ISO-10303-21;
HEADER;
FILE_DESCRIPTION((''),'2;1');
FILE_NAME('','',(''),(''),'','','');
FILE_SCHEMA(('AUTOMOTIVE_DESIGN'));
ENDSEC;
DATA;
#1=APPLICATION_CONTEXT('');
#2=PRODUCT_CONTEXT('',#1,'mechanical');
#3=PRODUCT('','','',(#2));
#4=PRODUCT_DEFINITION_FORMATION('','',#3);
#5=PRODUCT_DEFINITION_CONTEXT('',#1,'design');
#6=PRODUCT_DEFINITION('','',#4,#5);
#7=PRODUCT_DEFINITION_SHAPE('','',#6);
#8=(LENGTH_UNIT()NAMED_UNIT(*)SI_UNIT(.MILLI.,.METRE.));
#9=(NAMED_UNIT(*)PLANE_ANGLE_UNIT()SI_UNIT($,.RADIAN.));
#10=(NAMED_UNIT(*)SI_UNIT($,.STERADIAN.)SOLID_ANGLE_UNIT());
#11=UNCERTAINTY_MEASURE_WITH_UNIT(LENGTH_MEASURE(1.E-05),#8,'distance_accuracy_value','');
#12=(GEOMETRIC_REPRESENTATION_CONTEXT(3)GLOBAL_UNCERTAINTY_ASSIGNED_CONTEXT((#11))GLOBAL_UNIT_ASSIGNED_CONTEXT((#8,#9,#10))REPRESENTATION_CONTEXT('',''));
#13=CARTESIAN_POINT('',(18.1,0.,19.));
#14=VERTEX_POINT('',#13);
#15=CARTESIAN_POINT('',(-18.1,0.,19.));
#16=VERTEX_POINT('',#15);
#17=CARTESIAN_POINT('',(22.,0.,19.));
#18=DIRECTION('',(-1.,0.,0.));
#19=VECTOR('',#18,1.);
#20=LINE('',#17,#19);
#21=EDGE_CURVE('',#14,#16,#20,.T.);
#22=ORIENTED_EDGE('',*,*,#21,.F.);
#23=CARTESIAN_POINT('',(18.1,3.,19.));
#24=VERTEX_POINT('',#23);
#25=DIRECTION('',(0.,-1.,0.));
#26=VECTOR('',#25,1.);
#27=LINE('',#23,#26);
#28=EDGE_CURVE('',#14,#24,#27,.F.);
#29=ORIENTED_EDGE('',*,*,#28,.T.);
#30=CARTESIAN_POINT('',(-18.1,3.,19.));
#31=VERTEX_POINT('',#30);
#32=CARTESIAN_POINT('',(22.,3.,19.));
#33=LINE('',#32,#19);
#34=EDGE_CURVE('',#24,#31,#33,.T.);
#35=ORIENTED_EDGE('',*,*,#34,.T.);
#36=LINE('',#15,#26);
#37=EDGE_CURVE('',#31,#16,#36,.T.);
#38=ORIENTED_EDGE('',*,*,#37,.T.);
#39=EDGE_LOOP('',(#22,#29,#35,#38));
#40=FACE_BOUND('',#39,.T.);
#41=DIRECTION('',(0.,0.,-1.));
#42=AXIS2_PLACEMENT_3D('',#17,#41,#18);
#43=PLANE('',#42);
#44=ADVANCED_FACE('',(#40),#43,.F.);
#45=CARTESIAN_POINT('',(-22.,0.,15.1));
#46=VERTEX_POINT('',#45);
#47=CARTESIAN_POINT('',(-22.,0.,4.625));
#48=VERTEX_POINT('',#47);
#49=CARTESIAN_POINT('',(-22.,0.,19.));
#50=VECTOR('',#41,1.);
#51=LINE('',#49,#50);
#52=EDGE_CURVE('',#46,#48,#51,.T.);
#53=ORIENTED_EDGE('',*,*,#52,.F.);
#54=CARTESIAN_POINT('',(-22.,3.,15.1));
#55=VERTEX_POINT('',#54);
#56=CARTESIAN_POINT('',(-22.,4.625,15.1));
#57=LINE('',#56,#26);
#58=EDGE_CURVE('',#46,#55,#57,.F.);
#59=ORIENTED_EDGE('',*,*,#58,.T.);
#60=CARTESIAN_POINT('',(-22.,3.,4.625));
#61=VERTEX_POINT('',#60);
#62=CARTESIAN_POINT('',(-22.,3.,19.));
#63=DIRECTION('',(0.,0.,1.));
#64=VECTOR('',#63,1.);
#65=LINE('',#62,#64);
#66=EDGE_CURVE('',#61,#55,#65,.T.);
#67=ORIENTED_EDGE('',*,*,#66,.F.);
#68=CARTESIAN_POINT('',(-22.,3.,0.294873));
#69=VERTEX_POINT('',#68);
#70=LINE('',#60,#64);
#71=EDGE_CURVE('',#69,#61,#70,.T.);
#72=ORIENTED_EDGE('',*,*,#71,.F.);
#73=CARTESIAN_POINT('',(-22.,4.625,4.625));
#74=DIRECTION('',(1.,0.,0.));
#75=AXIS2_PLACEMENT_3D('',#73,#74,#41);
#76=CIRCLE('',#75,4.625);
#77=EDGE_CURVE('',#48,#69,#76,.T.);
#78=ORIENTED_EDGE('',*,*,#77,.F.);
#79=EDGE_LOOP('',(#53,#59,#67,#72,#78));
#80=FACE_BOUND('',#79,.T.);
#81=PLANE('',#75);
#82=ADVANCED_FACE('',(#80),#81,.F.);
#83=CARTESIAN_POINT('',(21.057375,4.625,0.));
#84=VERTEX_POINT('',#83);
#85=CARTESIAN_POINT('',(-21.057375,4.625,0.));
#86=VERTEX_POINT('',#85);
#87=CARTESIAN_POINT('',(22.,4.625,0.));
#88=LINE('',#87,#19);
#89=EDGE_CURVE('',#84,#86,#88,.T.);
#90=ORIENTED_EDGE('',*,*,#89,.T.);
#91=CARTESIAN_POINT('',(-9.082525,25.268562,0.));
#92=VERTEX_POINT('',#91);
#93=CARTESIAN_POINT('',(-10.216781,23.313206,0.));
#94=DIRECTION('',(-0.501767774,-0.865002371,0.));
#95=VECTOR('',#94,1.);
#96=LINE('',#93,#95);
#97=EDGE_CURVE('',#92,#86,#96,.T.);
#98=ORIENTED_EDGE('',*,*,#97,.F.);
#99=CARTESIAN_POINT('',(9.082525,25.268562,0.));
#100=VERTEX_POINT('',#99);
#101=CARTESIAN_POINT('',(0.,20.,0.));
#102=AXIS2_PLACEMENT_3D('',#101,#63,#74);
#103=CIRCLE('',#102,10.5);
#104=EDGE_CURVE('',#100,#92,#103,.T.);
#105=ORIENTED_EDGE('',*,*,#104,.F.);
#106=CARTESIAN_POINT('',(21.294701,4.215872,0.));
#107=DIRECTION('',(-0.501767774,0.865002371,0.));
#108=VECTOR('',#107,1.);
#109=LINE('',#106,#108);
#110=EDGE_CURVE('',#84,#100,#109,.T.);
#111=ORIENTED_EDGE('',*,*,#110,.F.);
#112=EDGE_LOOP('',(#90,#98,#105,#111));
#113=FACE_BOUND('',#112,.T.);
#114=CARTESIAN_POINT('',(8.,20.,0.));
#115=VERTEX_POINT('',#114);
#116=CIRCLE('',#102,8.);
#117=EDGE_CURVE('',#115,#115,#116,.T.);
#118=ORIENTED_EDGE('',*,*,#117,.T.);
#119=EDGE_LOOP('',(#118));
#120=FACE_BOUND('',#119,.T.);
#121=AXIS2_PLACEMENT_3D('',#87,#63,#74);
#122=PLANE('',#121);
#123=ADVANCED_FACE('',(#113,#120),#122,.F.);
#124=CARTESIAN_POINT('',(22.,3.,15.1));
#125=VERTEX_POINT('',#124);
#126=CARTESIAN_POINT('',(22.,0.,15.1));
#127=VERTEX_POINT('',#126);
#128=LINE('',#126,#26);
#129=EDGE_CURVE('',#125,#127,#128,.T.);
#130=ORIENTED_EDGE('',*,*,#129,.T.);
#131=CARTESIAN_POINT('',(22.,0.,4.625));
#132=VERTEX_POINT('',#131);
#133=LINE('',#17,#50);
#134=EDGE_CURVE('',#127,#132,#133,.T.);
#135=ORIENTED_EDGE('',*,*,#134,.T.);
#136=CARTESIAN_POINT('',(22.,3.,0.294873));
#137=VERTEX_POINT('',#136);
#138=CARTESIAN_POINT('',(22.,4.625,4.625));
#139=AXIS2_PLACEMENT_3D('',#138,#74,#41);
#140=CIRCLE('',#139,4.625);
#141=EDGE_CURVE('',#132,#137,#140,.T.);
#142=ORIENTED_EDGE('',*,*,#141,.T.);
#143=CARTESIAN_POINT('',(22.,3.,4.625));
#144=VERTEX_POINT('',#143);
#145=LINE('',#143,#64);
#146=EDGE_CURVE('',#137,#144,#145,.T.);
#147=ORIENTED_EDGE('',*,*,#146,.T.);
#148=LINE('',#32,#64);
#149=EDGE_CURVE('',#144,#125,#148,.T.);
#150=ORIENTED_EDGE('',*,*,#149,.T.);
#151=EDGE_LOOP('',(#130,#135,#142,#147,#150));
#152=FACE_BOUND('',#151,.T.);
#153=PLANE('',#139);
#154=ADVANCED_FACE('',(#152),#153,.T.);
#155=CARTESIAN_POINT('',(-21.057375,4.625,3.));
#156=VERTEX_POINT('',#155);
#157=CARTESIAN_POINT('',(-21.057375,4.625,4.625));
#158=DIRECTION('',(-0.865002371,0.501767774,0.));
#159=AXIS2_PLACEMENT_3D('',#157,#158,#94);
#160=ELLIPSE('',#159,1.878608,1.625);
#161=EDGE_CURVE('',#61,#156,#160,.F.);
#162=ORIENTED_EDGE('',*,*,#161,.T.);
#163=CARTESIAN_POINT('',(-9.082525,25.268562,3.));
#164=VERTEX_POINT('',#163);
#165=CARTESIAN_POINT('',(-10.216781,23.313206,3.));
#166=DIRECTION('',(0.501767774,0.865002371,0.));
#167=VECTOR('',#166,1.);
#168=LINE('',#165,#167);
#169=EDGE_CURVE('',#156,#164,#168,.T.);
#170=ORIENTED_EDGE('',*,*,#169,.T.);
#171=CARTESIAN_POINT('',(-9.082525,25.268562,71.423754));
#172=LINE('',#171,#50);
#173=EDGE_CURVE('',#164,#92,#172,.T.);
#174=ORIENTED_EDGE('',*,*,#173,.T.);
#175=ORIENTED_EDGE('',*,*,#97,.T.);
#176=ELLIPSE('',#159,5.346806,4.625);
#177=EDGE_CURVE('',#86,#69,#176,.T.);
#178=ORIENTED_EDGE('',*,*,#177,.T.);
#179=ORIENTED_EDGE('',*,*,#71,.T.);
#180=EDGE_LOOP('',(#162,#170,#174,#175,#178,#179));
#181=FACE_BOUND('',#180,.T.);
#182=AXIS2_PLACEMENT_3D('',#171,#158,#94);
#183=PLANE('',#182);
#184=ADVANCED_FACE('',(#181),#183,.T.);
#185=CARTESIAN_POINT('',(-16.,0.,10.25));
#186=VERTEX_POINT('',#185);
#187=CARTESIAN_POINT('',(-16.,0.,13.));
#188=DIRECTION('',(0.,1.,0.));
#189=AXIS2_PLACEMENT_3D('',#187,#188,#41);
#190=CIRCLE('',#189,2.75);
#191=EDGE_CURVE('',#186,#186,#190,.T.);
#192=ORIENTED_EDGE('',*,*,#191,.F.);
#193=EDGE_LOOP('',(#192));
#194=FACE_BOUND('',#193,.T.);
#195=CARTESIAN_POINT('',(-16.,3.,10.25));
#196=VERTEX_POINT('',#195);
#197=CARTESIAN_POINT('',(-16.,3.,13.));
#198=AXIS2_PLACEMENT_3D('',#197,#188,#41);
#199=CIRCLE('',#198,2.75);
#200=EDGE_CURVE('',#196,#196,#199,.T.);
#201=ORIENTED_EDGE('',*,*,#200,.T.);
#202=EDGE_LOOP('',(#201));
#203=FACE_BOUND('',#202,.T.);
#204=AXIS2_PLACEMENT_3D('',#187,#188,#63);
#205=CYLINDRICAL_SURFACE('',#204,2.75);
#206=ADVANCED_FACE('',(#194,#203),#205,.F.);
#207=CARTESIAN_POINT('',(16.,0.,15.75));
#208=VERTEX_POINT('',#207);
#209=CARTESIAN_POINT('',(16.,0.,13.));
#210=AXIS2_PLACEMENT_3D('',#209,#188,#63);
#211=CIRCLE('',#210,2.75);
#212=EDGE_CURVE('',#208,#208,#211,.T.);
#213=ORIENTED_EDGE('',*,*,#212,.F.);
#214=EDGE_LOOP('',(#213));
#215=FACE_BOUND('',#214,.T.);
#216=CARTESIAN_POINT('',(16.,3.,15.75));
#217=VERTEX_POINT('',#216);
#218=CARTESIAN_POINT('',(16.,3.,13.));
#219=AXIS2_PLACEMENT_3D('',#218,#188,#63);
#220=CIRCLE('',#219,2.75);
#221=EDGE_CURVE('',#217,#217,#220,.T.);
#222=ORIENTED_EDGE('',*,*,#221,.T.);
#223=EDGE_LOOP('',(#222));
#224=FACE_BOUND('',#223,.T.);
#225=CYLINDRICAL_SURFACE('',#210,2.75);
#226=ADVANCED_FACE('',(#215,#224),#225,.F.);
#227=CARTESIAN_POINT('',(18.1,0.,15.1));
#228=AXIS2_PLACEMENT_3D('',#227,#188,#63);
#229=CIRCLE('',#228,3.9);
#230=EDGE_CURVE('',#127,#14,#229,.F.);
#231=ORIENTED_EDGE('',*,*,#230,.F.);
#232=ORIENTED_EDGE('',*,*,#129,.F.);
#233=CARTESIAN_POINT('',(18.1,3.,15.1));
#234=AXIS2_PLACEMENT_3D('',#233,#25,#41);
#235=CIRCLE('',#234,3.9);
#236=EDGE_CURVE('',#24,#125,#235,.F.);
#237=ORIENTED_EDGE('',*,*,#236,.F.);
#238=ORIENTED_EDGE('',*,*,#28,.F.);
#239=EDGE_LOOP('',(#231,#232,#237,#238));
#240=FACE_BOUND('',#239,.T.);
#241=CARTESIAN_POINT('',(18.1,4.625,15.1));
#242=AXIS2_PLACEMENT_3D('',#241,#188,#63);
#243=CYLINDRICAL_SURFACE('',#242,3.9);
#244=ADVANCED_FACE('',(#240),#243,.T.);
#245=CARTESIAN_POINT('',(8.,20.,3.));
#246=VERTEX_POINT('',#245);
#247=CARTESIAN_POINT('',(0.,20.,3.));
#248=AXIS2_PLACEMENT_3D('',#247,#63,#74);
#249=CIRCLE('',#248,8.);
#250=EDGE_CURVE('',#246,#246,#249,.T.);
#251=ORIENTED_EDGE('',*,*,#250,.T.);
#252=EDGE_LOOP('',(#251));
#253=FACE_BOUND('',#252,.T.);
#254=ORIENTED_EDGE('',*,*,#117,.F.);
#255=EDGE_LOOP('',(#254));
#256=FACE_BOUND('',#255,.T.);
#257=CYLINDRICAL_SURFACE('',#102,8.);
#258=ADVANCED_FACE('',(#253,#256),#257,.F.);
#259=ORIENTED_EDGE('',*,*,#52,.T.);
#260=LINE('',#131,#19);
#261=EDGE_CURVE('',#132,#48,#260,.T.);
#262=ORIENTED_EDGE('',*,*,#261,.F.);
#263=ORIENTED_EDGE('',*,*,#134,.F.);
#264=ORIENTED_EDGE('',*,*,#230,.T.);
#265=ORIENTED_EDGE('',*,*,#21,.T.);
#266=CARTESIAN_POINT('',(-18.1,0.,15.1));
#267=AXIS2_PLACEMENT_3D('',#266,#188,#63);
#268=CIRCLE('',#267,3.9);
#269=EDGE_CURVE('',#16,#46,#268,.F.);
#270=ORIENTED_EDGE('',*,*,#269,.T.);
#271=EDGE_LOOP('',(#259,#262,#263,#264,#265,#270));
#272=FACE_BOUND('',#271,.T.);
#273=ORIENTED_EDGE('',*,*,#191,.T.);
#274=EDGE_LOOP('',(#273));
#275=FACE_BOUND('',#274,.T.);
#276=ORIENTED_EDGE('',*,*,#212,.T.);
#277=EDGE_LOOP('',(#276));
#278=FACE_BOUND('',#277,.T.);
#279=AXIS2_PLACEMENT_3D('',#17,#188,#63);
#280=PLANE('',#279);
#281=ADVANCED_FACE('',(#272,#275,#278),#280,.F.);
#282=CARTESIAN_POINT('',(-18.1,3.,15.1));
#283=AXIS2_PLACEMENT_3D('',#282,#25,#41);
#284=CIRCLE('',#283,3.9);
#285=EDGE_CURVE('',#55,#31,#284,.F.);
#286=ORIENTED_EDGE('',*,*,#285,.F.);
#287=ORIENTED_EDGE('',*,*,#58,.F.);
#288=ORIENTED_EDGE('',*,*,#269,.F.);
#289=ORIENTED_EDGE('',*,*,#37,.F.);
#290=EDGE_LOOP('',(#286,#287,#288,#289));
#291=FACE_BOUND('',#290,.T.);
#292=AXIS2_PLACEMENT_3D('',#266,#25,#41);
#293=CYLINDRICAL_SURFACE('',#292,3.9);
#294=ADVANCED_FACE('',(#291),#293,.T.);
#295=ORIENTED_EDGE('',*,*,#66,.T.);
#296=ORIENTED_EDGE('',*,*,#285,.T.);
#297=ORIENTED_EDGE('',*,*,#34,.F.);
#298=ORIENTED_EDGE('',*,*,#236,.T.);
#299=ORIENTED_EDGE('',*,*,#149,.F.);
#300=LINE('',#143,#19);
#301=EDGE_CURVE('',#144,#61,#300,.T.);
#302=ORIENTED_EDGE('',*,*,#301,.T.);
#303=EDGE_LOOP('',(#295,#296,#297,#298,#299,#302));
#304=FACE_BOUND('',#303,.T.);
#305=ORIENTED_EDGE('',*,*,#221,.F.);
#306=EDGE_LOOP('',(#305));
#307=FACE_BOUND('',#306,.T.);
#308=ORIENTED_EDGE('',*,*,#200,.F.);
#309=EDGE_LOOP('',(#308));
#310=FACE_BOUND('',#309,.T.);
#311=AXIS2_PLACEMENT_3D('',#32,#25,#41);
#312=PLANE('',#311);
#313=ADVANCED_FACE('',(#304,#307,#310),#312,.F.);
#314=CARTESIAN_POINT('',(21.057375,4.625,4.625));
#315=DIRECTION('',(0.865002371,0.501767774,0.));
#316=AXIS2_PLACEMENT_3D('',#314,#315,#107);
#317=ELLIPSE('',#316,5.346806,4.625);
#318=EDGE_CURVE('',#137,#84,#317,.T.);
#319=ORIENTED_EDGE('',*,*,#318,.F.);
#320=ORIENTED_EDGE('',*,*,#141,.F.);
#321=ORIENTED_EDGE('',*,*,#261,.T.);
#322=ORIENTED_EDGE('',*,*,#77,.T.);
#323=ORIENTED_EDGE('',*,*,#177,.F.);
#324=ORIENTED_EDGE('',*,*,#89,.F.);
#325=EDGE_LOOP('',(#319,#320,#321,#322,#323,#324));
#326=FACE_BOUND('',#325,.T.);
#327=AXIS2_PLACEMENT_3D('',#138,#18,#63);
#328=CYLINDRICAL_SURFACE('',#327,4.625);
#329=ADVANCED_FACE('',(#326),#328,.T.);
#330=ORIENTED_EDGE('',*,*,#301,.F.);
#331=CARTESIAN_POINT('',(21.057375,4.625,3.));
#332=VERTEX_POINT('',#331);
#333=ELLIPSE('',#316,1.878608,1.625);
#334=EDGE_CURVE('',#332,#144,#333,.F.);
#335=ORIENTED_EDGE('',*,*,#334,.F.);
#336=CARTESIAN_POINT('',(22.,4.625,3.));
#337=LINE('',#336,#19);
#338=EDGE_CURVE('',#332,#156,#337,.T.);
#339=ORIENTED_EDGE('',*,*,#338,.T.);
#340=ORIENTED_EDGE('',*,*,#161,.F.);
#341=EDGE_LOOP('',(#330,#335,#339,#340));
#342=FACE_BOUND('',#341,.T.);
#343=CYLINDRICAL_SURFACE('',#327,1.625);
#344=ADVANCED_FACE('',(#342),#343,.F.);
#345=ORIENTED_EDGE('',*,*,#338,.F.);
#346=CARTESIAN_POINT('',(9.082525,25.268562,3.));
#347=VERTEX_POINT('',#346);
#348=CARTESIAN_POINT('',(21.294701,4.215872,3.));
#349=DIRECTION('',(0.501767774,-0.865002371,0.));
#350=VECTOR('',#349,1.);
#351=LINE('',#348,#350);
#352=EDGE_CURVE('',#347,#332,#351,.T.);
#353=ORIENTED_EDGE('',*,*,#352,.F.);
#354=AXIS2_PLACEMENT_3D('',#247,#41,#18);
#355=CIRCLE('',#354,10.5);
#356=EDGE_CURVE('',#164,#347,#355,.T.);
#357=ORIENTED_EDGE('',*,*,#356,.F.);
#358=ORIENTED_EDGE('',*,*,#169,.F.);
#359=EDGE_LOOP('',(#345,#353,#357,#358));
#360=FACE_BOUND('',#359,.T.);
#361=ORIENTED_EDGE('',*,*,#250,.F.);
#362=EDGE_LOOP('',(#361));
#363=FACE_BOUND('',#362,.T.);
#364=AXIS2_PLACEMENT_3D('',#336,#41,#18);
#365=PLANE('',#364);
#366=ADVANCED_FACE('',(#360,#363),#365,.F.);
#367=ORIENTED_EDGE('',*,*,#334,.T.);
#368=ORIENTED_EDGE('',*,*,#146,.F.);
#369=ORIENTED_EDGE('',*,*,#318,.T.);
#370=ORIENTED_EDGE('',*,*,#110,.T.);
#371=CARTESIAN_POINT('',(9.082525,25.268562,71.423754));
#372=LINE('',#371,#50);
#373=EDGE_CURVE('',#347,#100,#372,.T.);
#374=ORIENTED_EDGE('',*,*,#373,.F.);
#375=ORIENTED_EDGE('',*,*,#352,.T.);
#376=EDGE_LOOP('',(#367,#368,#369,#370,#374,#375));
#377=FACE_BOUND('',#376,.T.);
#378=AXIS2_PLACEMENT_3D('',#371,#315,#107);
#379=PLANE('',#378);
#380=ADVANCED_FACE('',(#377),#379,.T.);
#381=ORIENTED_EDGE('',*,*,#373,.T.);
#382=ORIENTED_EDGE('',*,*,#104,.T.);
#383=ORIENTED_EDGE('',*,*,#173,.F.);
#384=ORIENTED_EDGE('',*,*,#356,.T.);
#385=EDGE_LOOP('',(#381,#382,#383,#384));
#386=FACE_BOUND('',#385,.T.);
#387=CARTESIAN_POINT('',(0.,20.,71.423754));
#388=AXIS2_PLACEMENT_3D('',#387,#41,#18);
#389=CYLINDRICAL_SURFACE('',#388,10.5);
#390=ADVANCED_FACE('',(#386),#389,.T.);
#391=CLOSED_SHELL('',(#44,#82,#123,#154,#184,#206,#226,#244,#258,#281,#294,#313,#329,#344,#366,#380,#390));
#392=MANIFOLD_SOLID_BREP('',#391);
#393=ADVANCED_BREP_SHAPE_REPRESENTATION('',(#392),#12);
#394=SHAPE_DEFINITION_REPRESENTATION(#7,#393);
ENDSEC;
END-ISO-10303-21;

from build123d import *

# Parameters (mm, degrees)
EXTRUDE_START                   = -22
EXTRUDE_1_DEPTH                 = 44
CUT_EXTRUDE_1_DEPTH             = 10
CUT_EXTRUDE_1_DIRECTION_2_REACH = 42.869
SKETCH_6_R                      = 8
CUT_EXTRUDE_2_DEPTH             = 41.868692174
SKETCH_7_R                      = 2.75
CUT_EXTRUDE_3_DEPTH             = 41.015621949
FILLET_1_R                      = 3.9


with BuildPart() as part:
    # 草图4 → 凸台-拉伸1 (new body)
    with BuildSketch(Plane(origin=(0, 0, 0), x_dir=(0, 0, -1), z_dir=(1, 0, 0)).offset(EXTRUDE_START)):
        with BuildLine():
            Line((-19, 0), (-4.625, 0))
            ThreePointArc((-4.625, 0), (-1.354631137, 1.354631137), (0, 4.625))
            Line((0, 4.625), (0, 30.5))
            Line((0, 30.5), (-3, 30.5))
            Line((-3, 30.5), (-3, 4.625))
            ThreePointArc((-3, 4.625), (-3.475951481, 3.475951481), (-4.625, 3))
            Line((-4.625, 3), (-19, 3))
            Line((-19, 3), (-19, 0))
        make_face()
    extrude(amount=EXTRUDE_1_DEPTH)

    # 草图5 → 切除-拉伸1 (cut)
    with BuildSketch(Plane.XY.offset(3)):
        with BuildLine():
            Line((-9.082524892, 25.268561625), (-22, 3))
            Line((-22, 3), (-22, 31.5))
            Line((-22, 31.5), (22, 31.5))
            Line((22, 31.5), (22, 3))
            Line((22, 3), (9.082524892, 25.268561625))
            ThreePointArc((9.082524892, 25.268561625), (0, 30.5), (-9.082524892, 25.268561625))
        make_face()
    extrude(amount=-CUT_EXTRUDE_1_DEPTH, mode=Mode.SUBTRACT)

    # 切除-拉伸1 direction 2: up to this face of the body (flat: up to its plane)
    cut_extrude_1_direction_2_end = Plane(part.part.faces().sort_by_distance((0, 1.5, 19))[0])
    # 草图5 → 切除-拉伸1 direction 2 (cut, up to the picked face)
    with BuildSketch(Plane.XY.offset(3), mode=Mode.PRIVATE) as cut_extrude_1_direction_2_sk1:
        with BuildLine():
            Line((-9.082524892, 25.268561625), (-22, 3))
            Line((-22, 3), (-22, 31.5))
            Line((-22, 31.5), (22, 31.5))
            Line((22, 31.5), (22, 3))
            Line((22, 3), (9.082524892, 25.268561625))
            ThreePointArc((9.082524892, 25.268561625), (0, 30.5), (-9.082524892, 25.268561625))
        make_face()
    cut_extrude_1_direction_2_tool1 = split(extrude(cut_extrude_1_direction_2_sk1.sketch, amount=CUT_EXTRUDE_1_DIRECTION_2_REACH, mode=Mode.PRIVATE), bisect_by=cut_extrude_1_direction_2_end, keep=Keep.BOTH, mode=Mode.PRIVATE)
    add(cut_extrude_1_direction_2_tool1.solids().sort_by(Axis((-15.994729, 14.397326, 3), (0, 0, 1)))[0], mode=Mode.SUBTRACT)

    # 草图6 → 切除-拉伸2 (cut, through all)
    with BuildSketch(Plane.XY.offset(3)):
        with Locations((0, 20)):
            Circle(SKETCH_6_R)
    extrude(amount=-CUT_EXTRUDE_2_DEPTH, mode=Mode.SUBTRACT)

    # 草图7 → 切除-拉伸3 (cut, through all)
    with BuildSketch(Plane(origin=(0, 3, 0), x_dir=(1, 0, 0), z_dir=(0, 1, 0))):
        with Locations(Location((16, -13, 0), (0, 0, 270))):
            Circle(SKETCH_7_R)
        with Locations(Location((-16, -13, 0), (0, 0, 90))):
            Circle(SKETCH_7_R)
    extrude(amount=-CUT_EXTRUDE_3_DEPTH, mode=Mode.SUBTRACT)

    # 圆角1
    fillet_1_edges = [part.edges().sort_by_distance(p)[0] for p in [
        (-22, 1.5, 19),
        (22, 1.5, 19),
    ]]
    fillet(fillet_1_edges, radius=FILLET_1_R)


solid = part.part
